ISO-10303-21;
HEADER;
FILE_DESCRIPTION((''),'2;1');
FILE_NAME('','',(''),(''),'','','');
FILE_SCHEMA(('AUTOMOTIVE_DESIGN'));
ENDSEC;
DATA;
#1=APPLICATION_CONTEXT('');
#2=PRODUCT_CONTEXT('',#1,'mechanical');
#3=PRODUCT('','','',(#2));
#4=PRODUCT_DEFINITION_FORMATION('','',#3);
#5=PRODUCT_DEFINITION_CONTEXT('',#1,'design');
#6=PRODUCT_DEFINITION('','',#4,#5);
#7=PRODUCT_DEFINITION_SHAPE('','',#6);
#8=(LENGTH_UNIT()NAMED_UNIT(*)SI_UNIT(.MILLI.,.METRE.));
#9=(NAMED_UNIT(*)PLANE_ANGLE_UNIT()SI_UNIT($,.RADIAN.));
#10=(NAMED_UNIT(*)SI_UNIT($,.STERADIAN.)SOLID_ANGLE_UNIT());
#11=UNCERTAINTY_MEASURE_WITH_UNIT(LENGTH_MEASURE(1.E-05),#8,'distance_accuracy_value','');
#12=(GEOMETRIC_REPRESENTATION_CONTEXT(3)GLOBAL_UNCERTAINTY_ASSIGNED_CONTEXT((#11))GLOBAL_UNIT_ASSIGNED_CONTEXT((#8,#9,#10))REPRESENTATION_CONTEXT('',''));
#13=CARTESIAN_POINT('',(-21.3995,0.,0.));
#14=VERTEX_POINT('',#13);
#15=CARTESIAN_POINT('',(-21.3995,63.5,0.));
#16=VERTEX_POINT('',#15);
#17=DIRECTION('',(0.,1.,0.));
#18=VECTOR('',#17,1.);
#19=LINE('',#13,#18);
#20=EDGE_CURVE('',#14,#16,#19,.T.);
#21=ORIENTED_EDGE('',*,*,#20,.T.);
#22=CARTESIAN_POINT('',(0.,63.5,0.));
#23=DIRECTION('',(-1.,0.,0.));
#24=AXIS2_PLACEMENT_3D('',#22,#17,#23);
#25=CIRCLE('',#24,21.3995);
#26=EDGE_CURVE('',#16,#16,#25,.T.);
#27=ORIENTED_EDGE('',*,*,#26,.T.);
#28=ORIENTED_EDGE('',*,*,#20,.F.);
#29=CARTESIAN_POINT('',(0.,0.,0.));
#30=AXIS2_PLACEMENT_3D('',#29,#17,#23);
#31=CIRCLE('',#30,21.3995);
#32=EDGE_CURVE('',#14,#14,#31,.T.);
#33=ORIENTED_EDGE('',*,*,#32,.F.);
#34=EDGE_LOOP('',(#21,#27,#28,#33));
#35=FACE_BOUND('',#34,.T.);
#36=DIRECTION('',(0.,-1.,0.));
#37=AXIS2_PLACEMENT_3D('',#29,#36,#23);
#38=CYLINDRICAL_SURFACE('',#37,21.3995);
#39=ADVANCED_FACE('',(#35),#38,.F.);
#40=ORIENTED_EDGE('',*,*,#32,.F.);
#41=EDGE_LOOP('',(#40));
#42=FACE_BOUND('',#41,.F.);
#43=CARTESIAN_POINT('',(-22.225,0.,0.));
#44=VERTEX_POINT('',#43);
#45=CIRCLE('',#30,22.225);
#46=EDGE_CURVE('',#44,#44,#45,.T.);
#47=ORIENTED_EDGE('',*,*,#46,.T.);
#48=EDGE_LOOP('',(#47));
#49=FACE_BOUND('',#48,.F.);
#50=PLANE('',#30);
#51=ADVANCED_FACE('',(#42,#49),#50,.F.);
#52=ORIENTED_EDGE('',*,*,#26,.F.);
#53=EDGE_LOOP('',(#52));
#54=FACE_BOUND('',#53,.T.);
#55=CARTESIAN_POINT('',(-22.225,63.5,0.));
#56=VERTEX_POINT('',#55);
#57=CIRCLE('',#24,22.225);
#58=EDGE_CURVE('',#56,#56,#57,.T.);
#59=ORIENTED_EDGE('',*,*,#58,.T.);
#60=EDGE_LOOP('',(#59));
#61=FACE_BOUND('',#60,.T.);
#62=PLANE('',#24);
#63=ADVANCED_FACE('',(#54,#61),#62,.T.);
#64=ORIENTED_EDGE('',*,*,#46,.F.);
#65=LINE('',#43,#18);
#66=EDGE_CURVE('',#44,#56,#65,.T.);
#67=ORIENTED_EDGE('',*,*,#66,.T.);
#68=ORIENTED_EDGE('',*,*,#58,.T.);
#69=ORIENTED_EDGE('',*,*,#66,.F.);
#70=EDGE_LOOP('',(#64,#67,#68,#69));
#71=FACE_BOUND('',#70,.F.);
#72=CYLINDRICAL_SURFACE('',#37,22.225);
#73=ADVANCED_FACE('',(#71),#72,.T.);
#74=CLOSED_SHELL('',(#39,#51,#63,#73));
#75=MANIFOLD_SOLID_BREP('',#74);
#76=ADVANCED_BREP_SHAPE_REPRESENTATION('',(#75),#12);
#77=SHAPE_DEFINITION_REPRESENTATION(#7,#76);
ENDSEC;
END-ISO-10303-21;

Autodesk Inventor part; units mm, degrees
ref_plane "YZ Plane" through (0, 0, 0) normal (1, 0, 0) x (0, 1, 0)
ref_plane "XZ Plane" through (0, 0, 0) normal (0, 1, 0) x (-1, 0, 0)
ref_plane "XY Plane" through (0, 0, 0) normal (0, 0, 1) x (1, 0, 0)
sketch "Sketch2" plane through (0, 0, 0) normal (0, 1, 0) x (-1, 0, 0)
  circle A0 centre (0, 0) radius 22.225
  circle A1 centre (0, 0) radius 21.3995
  dimension "d4" = 44.45
  dimension "d5" = 42.799
extrude "Extrusion2" add sketch "Sketch2" along normal blind 63.5
properties part number "middlething"
